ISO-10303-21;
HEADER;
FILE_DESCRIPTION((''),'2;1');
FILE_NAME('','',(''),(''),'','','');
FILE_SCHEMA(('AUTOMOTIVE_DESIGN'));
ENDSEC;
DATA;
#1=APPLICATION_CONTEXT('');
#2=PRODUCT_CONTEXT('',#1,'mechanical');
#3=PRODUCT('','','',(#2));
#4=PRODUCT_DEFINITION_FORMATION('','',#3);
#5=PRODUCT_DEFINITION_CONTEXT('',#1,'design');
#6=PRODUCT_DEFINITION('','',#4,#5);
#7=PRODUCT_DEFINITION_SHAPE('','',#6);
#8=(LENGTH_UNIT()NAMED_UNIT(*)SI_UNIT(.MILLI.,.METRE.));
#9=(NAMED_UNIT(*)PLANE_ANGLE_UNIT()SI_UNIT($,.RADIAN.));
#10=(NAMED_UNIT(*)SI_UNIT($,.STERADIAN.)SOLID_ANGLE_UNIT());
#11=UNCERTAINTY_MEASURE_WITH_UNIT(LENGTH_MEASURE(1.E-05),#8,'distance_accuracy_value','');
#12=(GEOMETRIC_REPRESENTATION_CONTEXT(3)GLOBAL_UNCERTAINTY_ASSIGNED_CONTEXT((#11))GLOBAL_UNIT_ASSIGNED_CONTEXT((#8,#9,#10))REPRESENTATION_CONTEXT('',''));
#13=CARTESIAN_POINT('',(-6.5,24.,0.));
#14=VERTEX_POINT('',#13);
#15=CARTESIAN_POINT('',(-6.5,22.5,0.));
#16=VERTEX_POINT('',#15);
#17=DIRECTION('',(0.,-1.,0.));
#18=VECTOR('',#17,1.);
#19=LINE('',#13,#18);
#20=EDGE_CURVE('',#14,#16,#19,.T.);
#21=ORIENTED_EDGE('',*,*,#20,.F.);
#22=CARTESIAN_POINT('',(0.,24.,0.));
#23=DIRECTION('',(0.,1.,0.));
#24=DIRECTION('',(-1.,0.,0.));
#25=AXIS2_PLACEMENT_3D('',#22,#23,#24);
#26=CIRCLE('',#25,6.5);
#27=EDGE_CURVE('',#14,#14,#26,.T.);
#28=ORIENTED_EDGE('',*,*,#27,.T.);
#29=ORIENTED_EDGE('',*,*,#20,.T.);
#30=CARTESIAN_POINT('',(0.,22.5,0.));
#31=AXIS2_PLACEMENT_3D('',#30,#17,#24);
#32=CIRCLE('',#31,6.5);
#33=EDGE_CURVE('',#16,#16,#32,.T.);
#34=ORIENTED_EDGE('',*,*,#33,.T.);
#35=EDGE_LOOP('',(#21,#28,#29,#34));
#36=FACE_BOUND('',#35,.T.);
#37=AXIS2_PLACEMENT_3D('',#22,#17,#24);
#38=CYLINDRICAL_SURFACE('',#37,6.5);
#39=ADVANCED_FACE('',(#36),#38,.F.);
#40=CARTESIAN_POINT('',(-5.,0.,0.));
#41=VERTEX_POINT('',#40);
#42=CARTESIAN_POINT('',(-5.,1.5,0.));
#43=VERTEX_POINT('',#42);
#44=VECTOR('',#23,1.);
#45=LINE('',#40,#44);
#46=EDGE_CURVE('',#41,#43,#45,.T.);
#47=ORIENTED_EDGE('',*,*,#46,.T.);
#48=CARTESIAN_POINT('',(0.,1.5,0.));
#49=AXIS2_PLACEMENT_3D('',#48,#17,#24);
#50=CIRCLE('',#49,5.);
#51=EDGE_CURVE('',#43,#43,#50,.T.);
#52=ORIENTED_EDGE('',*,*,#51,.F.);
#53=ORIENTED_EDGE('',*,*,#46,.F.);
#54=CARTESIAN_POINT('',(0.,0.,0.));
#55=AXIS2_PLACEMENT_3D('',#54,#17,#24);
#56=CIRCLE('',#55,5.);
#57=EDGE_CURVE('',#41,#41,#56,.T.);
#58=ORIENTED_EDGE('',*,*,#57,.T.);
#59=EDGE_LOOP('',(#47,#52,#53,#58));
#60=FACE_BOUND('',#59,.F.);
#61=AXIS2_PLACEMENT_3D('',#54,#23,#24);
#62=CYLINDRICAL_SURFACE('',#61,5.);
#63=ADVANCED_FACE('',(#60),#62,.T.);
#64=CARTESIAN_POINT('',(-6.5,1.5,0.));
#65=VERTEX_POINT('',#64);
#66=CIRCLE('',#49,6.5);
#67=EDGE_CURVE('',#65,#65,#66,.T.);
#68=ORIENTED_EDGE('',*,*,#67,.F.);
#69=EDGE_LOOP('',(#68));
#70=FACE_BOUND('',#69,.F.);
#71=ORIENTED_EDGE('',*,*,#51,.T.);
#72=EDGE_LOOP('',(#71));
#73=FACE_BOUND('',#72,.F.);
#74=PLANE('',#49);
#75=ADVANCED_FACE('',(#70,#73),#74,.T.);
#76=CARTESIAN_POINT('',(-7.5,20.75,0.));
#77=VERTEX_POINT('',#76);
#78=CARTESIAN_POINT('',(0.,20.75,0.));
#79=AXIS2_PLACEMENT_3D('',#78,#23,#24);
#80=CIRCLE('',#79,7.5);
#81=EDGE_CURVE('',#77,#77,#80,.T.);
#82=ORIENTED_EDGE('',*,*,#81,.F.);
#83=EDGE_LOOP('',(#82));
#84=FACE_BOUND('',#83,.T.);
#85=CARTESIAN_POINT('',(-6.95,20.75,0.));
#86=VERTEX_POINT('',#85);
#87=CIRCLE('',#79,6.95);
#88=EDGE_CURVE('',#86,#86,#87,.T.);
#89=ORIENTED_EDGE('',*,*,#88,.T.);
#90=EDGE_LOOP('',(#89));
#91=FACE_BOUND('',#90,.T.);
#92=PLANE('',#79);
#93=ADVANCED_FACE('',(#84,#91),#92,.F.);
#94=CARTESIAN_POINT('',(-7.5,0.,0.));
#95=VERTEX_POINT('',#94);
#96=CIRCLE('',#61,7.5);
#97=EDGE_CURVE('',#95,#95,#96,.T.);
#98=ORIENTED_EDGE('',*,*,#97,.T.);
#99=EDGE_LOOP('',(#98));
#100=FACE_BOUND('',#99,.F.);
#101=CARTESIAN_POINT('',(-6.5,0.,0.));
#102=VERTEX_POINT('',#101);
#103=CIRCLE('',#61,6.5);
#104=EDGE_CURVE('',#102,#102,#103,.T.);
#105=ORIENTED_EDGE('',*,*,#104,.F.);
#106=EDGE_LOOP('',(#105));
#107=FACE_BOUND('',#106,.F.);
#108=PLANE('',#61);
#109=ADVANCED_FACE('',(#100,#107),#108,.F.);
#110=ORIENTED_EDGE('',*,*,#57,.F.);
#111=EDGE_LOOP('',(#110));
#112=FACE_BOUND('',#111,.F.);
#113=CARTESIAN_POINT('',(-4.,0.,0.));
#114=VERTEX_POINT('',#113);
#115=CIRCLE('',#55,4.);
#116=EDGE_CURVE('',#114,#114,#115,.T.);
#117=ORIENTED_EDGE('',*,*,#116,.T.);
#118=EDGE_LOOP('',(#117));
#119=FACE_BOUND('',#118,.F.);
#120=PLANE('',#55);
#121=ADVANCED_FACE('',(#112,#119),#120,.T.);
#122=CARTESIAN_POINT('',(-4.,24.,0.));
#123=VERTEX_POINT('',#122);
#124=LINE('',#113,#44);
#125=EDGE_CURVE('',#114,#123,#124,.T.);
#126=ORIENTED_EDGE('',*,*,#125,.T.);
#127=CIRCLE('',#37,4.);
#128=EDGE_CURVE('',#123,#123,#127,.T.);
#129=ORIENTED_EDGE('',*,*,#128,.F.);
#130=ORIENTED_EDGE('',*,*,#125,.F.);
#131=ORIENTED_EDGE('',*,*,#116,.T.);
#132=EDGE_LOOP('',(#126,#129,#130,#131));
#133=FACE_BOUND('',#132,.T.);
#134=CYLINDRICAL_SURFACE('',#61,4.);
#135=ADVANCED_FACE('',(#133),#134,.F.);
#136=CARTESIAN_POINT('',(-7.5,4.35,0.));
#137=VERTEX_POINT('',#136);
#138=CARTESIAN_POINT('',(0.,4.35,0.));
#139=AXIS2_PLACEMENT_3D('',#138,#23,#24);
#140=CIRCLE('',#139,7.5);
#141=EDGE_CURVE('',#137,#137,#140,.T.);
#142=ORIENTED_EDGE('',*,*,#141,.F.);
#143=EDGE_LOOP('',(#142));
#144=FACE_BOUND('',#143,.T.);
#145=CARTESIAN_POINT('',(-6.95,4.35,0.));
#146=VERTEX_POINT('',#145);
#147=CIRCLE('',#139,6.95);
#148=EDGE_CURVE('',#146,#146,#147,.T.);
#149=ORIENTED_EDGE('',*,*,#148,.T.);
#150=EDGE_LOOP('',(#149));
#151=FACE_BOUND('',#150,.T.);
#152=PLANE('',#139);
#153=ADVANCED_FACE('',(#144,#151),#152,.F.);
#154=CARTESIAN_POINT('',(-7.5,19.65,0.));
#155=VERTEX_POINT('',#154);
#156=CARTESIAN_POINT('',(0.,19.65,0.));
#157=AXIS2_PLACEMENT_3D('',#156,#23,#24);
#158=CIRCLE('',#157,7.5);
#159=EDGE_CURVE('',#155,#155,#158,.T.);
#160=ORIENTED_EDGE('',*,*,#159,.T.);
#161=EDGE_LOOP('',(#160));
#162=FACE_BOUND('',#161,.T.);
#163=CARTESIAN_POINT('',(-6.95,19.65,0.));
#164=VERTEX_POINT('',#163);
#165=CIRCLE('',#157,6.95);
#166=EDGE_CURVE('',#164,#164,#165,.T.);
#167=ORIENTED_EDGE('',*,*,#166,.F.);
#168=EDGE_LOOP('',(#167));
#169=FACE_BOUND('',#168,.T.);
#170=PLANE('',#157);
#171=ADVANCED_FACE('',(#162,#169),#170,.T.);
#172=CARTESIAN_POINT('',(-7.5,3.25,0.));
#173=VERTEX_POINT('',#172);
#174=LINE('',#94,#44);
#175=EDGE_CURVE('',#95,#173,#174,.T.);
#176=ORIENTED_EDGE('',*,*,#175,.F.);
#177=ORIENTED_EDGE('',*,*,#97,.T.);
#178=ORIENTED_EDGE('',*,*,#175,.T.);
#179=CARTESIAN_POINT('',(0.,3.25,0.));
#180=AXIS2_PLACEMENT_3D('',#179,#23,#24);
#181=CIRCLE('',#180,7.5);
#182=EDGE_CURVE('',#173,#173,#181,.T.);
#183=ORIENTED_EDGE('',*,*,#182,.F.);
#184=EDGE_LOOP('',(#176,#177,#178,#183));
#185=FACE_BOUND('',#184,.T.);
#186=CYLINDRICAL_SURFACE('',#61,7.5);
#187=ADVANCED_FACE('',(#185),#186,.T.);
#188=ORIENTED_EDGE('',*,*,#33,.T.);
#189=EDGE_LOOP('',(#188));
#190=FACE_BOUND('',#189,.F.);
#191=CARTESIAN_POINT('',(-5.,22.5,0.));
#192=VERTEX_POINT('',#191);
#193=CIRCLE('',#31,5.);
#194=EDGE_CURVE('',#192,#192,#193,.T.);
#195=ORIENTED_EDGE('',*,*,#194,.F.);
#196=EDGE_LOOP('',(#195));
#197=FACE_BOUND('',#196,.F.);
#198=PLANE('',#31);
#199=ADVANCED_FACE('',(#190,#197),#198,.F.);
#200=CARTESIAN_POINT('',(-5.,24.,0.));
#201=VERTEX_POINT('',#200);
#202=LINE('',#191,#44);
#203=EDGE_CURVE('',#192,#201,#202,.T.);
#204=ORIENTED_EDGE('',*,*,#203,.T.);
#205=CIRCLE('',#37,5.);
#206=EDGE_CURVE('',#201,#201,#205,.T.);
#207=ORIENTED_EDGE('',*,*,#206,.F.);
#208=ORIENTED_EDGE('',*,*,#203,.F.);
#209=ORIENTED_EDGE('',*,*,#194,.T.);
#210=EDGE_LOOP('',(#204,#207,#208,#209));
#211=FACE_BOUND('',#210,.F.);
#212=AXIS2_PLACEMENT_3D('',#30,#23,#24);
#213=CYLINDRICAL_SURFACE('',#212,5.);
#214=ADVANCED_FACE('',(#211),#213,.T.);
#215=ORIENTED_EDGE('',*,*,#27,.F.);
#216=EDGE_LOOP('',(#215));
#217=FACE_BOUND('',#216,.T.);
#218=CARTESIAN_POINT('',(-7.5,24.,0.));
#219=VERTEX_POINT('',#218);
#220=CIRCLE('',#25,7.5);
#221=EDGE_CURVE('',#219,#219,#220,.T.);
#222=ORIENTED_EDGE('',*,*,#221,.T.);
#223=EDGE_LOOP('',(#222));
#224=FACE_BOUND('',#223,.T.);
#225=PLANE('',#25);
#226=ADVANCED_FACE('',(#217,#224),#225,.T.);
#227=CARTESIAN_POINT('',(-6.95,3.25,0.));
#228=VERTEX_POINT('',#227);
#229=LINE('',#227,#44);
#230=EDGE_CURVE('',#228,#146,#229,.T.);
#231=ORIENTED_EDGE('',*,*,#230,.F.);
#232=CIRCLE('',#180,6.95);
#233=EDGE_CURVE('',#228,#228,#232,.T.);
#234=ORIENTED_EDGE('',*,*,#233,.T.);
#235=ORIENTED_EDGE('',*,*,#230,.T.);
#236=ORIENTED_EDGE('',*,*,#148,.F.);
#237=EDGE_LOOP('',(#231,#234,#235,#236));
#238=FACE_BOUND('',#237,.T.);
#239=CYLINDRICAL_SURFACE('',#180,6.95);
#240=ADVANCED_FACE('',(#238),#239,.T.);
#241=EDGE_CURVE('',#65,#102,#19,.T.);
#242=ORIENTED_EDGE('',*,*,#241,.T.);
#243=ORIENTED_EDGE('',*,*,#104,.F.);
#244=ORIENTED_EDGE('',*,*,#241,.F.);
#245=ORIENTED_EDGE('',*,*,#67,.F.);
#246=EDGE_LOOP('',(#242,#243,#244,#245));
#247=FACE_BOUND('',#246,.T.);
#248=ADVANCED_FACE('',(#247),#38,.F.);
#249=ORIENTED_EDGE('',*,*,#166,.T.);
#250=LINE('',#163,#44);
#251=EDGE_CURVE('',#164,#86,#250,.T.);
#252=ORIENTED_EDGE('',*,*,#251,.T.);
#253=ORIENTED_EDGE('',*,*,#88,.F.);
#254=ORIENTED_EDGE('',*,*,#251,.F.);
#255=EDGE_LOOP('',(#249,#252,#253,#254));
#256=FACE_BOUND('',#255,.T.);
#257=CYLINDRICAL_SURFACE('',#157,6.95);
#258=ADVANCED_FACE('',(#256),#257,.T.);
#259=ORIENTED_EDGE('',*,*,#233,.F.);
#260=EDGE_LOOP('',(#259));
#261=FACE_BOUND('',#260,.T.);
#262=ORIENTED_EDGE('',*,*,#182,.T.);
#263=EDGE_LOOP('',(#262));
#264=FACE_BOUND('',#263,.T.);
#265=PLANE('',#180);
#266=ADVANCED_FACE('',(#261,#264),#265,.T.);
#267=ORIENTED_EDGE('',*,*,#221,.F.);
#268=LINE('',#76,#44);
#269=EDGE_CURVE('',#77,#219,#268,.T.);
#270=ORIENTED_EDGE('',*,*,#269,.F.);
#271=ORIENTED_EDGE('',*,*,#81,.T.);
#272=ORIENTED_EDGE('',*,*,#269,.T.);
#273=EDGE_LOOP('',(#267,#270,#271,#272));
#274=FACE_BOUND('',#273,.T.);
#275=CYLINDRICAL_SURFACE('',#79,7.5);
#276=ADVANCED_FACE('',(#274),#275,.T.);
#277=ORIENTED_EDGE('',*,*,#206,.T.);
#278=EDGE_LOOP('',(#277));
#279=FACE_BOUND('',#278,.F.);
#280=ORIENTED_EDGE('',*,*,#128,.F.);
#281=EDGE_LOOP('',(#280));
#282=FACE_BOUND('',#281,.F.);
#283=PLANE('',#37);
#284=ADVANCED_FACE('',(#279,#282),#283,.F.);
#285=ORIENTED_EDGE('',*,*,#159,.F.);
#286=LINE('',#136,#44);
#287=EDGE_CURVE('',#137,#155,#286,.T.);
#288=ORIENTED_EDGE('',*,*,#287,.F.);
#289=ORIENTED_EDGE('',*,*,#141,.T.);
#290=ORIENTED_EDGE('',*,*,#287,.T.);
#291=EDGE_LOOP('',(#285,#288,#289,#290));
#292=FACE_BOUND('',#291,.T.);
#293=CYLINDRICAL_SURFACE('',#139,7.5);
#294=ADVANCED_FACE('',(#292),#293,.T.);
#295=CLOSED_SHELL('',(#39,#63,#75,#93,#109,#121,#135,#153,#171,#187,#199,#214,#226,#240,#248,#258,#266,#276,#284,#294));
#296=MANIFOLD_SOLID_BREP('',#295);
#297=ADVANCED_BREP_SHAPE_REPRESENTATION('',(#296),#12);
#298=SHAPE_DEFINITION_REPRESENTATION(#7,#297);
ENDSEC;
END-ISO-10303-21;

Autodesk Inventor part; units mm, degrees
ref_plane "YZ Plane" through (0, 0, 0) normal (1, 0, 0) x (0, 1, 0)
ref_plane "XZ Plane" through (0, 0, 0) normal (0, 1, 0) x (-1, 0, 0)
ref_plane "XY Plane" through (0, 0, 0) normal (0, 0, 1) x (1, 0, 0)
sketch "Esboço1" plane through (0, 0, 0) normal (0, 0, 1) x (1, 0, 0)
  line L0 (-7.5, 0) -> (-7.5, 3.25)
  line L1 (-7.5, 3.25) -> (-6.95, 3.25)
  line L2 (-6.95, 3.25) -> (-6.95, 4.35)
  line L3 (-6.95, 4.35) -> (-7.5, 4.35)
  line L4 (-7.5, 4.35) -> (-7.5, 19.65)
  line L5 (-7.5, 19.65) -> (-6.95, 19.65)
  line L6 (-6.95, 19.65) -> (-6.95, 20.75)
  line L7 (-6.95, 20.75) -> (-7.5, 20.75)
  line L8 (-7.5, 20.75) -> (-7.5, 24)
  line L9 (-7.5, 24) -> (-6.5, 24)
  line L10 (-7.5, 0) -> (-6.5, 0)
  line L11 (-6.5, 0) -> (0, 0) construction
  line L12 (0, 0) -> (0, 24) construction
  line L13 (0, 24) -> (-6.5, 24) construction
  line L14 (-6.5, 24) -> (-6.5, 0)
  dimension "d0" = 6.5
  dimension "d1" = 24
  dimension "d4" = 0.55
  dimension "d5" = 1.1
  dimension "d6" = 1.1
  dimension "d8" = 1
  dimension "d26" = 17.5
  dimension "d27" = 3.25
sketch "Esboço3" plane through (0, 0, 0) normal (0, 0, 1) x (1, 0, 0)
  line L0 (0, 24) -> (0, 0) construction
  line L1 (0, 24) -> (0, 35.5) construction
  line L2 (0, 0) -> (0, 1.5) construction
  line L3 (-4, 0) -> (-4, 24)
  line L4 (-4, 0) -> (-5, 0)
  line L5 (-5, 24) -> (-4, 24)
  line L6 (-5, 1.5) -> (-6.5, 1.5)
  line L7 (-6.5, 1.5) -> (-6.5, 22.5)
  line L8 (-6.5, 22.5) -> (-5, 22.5)
  line L9 (-5, 0) -> (-5, 1.5)
  line L10 (-5, 22.5) -> (-5, 24)
  dimension "d28" = 24
  dimension "d30" = 4
  dimension "d31" = 21
  dimension "d32" = 24
  dimension "d33" = 1.5
  dimension "d34" = 2.5
  dimension "d36" = 1
  dimension "d37" = 1
revolve "Revolução1" add sketch "Esboço3" angle 360 about axis through (0, 24, 0) along (0, -1, 0)
revolve "Revolução2" add sketch "Esboço1" angle 360 about axis through (0, 0, 0) along (0, 1, 0)
equation "\"d6\" = d5"
equation "\"d27\" = -0.5 * d26 + 0.5 * d1"
equation "\"d33\" = -0.5 * d31 + 0.5 * d32"
equation "\"d37\" = d36"
properties part number "rolamento_linear_lm8uu.iam"
